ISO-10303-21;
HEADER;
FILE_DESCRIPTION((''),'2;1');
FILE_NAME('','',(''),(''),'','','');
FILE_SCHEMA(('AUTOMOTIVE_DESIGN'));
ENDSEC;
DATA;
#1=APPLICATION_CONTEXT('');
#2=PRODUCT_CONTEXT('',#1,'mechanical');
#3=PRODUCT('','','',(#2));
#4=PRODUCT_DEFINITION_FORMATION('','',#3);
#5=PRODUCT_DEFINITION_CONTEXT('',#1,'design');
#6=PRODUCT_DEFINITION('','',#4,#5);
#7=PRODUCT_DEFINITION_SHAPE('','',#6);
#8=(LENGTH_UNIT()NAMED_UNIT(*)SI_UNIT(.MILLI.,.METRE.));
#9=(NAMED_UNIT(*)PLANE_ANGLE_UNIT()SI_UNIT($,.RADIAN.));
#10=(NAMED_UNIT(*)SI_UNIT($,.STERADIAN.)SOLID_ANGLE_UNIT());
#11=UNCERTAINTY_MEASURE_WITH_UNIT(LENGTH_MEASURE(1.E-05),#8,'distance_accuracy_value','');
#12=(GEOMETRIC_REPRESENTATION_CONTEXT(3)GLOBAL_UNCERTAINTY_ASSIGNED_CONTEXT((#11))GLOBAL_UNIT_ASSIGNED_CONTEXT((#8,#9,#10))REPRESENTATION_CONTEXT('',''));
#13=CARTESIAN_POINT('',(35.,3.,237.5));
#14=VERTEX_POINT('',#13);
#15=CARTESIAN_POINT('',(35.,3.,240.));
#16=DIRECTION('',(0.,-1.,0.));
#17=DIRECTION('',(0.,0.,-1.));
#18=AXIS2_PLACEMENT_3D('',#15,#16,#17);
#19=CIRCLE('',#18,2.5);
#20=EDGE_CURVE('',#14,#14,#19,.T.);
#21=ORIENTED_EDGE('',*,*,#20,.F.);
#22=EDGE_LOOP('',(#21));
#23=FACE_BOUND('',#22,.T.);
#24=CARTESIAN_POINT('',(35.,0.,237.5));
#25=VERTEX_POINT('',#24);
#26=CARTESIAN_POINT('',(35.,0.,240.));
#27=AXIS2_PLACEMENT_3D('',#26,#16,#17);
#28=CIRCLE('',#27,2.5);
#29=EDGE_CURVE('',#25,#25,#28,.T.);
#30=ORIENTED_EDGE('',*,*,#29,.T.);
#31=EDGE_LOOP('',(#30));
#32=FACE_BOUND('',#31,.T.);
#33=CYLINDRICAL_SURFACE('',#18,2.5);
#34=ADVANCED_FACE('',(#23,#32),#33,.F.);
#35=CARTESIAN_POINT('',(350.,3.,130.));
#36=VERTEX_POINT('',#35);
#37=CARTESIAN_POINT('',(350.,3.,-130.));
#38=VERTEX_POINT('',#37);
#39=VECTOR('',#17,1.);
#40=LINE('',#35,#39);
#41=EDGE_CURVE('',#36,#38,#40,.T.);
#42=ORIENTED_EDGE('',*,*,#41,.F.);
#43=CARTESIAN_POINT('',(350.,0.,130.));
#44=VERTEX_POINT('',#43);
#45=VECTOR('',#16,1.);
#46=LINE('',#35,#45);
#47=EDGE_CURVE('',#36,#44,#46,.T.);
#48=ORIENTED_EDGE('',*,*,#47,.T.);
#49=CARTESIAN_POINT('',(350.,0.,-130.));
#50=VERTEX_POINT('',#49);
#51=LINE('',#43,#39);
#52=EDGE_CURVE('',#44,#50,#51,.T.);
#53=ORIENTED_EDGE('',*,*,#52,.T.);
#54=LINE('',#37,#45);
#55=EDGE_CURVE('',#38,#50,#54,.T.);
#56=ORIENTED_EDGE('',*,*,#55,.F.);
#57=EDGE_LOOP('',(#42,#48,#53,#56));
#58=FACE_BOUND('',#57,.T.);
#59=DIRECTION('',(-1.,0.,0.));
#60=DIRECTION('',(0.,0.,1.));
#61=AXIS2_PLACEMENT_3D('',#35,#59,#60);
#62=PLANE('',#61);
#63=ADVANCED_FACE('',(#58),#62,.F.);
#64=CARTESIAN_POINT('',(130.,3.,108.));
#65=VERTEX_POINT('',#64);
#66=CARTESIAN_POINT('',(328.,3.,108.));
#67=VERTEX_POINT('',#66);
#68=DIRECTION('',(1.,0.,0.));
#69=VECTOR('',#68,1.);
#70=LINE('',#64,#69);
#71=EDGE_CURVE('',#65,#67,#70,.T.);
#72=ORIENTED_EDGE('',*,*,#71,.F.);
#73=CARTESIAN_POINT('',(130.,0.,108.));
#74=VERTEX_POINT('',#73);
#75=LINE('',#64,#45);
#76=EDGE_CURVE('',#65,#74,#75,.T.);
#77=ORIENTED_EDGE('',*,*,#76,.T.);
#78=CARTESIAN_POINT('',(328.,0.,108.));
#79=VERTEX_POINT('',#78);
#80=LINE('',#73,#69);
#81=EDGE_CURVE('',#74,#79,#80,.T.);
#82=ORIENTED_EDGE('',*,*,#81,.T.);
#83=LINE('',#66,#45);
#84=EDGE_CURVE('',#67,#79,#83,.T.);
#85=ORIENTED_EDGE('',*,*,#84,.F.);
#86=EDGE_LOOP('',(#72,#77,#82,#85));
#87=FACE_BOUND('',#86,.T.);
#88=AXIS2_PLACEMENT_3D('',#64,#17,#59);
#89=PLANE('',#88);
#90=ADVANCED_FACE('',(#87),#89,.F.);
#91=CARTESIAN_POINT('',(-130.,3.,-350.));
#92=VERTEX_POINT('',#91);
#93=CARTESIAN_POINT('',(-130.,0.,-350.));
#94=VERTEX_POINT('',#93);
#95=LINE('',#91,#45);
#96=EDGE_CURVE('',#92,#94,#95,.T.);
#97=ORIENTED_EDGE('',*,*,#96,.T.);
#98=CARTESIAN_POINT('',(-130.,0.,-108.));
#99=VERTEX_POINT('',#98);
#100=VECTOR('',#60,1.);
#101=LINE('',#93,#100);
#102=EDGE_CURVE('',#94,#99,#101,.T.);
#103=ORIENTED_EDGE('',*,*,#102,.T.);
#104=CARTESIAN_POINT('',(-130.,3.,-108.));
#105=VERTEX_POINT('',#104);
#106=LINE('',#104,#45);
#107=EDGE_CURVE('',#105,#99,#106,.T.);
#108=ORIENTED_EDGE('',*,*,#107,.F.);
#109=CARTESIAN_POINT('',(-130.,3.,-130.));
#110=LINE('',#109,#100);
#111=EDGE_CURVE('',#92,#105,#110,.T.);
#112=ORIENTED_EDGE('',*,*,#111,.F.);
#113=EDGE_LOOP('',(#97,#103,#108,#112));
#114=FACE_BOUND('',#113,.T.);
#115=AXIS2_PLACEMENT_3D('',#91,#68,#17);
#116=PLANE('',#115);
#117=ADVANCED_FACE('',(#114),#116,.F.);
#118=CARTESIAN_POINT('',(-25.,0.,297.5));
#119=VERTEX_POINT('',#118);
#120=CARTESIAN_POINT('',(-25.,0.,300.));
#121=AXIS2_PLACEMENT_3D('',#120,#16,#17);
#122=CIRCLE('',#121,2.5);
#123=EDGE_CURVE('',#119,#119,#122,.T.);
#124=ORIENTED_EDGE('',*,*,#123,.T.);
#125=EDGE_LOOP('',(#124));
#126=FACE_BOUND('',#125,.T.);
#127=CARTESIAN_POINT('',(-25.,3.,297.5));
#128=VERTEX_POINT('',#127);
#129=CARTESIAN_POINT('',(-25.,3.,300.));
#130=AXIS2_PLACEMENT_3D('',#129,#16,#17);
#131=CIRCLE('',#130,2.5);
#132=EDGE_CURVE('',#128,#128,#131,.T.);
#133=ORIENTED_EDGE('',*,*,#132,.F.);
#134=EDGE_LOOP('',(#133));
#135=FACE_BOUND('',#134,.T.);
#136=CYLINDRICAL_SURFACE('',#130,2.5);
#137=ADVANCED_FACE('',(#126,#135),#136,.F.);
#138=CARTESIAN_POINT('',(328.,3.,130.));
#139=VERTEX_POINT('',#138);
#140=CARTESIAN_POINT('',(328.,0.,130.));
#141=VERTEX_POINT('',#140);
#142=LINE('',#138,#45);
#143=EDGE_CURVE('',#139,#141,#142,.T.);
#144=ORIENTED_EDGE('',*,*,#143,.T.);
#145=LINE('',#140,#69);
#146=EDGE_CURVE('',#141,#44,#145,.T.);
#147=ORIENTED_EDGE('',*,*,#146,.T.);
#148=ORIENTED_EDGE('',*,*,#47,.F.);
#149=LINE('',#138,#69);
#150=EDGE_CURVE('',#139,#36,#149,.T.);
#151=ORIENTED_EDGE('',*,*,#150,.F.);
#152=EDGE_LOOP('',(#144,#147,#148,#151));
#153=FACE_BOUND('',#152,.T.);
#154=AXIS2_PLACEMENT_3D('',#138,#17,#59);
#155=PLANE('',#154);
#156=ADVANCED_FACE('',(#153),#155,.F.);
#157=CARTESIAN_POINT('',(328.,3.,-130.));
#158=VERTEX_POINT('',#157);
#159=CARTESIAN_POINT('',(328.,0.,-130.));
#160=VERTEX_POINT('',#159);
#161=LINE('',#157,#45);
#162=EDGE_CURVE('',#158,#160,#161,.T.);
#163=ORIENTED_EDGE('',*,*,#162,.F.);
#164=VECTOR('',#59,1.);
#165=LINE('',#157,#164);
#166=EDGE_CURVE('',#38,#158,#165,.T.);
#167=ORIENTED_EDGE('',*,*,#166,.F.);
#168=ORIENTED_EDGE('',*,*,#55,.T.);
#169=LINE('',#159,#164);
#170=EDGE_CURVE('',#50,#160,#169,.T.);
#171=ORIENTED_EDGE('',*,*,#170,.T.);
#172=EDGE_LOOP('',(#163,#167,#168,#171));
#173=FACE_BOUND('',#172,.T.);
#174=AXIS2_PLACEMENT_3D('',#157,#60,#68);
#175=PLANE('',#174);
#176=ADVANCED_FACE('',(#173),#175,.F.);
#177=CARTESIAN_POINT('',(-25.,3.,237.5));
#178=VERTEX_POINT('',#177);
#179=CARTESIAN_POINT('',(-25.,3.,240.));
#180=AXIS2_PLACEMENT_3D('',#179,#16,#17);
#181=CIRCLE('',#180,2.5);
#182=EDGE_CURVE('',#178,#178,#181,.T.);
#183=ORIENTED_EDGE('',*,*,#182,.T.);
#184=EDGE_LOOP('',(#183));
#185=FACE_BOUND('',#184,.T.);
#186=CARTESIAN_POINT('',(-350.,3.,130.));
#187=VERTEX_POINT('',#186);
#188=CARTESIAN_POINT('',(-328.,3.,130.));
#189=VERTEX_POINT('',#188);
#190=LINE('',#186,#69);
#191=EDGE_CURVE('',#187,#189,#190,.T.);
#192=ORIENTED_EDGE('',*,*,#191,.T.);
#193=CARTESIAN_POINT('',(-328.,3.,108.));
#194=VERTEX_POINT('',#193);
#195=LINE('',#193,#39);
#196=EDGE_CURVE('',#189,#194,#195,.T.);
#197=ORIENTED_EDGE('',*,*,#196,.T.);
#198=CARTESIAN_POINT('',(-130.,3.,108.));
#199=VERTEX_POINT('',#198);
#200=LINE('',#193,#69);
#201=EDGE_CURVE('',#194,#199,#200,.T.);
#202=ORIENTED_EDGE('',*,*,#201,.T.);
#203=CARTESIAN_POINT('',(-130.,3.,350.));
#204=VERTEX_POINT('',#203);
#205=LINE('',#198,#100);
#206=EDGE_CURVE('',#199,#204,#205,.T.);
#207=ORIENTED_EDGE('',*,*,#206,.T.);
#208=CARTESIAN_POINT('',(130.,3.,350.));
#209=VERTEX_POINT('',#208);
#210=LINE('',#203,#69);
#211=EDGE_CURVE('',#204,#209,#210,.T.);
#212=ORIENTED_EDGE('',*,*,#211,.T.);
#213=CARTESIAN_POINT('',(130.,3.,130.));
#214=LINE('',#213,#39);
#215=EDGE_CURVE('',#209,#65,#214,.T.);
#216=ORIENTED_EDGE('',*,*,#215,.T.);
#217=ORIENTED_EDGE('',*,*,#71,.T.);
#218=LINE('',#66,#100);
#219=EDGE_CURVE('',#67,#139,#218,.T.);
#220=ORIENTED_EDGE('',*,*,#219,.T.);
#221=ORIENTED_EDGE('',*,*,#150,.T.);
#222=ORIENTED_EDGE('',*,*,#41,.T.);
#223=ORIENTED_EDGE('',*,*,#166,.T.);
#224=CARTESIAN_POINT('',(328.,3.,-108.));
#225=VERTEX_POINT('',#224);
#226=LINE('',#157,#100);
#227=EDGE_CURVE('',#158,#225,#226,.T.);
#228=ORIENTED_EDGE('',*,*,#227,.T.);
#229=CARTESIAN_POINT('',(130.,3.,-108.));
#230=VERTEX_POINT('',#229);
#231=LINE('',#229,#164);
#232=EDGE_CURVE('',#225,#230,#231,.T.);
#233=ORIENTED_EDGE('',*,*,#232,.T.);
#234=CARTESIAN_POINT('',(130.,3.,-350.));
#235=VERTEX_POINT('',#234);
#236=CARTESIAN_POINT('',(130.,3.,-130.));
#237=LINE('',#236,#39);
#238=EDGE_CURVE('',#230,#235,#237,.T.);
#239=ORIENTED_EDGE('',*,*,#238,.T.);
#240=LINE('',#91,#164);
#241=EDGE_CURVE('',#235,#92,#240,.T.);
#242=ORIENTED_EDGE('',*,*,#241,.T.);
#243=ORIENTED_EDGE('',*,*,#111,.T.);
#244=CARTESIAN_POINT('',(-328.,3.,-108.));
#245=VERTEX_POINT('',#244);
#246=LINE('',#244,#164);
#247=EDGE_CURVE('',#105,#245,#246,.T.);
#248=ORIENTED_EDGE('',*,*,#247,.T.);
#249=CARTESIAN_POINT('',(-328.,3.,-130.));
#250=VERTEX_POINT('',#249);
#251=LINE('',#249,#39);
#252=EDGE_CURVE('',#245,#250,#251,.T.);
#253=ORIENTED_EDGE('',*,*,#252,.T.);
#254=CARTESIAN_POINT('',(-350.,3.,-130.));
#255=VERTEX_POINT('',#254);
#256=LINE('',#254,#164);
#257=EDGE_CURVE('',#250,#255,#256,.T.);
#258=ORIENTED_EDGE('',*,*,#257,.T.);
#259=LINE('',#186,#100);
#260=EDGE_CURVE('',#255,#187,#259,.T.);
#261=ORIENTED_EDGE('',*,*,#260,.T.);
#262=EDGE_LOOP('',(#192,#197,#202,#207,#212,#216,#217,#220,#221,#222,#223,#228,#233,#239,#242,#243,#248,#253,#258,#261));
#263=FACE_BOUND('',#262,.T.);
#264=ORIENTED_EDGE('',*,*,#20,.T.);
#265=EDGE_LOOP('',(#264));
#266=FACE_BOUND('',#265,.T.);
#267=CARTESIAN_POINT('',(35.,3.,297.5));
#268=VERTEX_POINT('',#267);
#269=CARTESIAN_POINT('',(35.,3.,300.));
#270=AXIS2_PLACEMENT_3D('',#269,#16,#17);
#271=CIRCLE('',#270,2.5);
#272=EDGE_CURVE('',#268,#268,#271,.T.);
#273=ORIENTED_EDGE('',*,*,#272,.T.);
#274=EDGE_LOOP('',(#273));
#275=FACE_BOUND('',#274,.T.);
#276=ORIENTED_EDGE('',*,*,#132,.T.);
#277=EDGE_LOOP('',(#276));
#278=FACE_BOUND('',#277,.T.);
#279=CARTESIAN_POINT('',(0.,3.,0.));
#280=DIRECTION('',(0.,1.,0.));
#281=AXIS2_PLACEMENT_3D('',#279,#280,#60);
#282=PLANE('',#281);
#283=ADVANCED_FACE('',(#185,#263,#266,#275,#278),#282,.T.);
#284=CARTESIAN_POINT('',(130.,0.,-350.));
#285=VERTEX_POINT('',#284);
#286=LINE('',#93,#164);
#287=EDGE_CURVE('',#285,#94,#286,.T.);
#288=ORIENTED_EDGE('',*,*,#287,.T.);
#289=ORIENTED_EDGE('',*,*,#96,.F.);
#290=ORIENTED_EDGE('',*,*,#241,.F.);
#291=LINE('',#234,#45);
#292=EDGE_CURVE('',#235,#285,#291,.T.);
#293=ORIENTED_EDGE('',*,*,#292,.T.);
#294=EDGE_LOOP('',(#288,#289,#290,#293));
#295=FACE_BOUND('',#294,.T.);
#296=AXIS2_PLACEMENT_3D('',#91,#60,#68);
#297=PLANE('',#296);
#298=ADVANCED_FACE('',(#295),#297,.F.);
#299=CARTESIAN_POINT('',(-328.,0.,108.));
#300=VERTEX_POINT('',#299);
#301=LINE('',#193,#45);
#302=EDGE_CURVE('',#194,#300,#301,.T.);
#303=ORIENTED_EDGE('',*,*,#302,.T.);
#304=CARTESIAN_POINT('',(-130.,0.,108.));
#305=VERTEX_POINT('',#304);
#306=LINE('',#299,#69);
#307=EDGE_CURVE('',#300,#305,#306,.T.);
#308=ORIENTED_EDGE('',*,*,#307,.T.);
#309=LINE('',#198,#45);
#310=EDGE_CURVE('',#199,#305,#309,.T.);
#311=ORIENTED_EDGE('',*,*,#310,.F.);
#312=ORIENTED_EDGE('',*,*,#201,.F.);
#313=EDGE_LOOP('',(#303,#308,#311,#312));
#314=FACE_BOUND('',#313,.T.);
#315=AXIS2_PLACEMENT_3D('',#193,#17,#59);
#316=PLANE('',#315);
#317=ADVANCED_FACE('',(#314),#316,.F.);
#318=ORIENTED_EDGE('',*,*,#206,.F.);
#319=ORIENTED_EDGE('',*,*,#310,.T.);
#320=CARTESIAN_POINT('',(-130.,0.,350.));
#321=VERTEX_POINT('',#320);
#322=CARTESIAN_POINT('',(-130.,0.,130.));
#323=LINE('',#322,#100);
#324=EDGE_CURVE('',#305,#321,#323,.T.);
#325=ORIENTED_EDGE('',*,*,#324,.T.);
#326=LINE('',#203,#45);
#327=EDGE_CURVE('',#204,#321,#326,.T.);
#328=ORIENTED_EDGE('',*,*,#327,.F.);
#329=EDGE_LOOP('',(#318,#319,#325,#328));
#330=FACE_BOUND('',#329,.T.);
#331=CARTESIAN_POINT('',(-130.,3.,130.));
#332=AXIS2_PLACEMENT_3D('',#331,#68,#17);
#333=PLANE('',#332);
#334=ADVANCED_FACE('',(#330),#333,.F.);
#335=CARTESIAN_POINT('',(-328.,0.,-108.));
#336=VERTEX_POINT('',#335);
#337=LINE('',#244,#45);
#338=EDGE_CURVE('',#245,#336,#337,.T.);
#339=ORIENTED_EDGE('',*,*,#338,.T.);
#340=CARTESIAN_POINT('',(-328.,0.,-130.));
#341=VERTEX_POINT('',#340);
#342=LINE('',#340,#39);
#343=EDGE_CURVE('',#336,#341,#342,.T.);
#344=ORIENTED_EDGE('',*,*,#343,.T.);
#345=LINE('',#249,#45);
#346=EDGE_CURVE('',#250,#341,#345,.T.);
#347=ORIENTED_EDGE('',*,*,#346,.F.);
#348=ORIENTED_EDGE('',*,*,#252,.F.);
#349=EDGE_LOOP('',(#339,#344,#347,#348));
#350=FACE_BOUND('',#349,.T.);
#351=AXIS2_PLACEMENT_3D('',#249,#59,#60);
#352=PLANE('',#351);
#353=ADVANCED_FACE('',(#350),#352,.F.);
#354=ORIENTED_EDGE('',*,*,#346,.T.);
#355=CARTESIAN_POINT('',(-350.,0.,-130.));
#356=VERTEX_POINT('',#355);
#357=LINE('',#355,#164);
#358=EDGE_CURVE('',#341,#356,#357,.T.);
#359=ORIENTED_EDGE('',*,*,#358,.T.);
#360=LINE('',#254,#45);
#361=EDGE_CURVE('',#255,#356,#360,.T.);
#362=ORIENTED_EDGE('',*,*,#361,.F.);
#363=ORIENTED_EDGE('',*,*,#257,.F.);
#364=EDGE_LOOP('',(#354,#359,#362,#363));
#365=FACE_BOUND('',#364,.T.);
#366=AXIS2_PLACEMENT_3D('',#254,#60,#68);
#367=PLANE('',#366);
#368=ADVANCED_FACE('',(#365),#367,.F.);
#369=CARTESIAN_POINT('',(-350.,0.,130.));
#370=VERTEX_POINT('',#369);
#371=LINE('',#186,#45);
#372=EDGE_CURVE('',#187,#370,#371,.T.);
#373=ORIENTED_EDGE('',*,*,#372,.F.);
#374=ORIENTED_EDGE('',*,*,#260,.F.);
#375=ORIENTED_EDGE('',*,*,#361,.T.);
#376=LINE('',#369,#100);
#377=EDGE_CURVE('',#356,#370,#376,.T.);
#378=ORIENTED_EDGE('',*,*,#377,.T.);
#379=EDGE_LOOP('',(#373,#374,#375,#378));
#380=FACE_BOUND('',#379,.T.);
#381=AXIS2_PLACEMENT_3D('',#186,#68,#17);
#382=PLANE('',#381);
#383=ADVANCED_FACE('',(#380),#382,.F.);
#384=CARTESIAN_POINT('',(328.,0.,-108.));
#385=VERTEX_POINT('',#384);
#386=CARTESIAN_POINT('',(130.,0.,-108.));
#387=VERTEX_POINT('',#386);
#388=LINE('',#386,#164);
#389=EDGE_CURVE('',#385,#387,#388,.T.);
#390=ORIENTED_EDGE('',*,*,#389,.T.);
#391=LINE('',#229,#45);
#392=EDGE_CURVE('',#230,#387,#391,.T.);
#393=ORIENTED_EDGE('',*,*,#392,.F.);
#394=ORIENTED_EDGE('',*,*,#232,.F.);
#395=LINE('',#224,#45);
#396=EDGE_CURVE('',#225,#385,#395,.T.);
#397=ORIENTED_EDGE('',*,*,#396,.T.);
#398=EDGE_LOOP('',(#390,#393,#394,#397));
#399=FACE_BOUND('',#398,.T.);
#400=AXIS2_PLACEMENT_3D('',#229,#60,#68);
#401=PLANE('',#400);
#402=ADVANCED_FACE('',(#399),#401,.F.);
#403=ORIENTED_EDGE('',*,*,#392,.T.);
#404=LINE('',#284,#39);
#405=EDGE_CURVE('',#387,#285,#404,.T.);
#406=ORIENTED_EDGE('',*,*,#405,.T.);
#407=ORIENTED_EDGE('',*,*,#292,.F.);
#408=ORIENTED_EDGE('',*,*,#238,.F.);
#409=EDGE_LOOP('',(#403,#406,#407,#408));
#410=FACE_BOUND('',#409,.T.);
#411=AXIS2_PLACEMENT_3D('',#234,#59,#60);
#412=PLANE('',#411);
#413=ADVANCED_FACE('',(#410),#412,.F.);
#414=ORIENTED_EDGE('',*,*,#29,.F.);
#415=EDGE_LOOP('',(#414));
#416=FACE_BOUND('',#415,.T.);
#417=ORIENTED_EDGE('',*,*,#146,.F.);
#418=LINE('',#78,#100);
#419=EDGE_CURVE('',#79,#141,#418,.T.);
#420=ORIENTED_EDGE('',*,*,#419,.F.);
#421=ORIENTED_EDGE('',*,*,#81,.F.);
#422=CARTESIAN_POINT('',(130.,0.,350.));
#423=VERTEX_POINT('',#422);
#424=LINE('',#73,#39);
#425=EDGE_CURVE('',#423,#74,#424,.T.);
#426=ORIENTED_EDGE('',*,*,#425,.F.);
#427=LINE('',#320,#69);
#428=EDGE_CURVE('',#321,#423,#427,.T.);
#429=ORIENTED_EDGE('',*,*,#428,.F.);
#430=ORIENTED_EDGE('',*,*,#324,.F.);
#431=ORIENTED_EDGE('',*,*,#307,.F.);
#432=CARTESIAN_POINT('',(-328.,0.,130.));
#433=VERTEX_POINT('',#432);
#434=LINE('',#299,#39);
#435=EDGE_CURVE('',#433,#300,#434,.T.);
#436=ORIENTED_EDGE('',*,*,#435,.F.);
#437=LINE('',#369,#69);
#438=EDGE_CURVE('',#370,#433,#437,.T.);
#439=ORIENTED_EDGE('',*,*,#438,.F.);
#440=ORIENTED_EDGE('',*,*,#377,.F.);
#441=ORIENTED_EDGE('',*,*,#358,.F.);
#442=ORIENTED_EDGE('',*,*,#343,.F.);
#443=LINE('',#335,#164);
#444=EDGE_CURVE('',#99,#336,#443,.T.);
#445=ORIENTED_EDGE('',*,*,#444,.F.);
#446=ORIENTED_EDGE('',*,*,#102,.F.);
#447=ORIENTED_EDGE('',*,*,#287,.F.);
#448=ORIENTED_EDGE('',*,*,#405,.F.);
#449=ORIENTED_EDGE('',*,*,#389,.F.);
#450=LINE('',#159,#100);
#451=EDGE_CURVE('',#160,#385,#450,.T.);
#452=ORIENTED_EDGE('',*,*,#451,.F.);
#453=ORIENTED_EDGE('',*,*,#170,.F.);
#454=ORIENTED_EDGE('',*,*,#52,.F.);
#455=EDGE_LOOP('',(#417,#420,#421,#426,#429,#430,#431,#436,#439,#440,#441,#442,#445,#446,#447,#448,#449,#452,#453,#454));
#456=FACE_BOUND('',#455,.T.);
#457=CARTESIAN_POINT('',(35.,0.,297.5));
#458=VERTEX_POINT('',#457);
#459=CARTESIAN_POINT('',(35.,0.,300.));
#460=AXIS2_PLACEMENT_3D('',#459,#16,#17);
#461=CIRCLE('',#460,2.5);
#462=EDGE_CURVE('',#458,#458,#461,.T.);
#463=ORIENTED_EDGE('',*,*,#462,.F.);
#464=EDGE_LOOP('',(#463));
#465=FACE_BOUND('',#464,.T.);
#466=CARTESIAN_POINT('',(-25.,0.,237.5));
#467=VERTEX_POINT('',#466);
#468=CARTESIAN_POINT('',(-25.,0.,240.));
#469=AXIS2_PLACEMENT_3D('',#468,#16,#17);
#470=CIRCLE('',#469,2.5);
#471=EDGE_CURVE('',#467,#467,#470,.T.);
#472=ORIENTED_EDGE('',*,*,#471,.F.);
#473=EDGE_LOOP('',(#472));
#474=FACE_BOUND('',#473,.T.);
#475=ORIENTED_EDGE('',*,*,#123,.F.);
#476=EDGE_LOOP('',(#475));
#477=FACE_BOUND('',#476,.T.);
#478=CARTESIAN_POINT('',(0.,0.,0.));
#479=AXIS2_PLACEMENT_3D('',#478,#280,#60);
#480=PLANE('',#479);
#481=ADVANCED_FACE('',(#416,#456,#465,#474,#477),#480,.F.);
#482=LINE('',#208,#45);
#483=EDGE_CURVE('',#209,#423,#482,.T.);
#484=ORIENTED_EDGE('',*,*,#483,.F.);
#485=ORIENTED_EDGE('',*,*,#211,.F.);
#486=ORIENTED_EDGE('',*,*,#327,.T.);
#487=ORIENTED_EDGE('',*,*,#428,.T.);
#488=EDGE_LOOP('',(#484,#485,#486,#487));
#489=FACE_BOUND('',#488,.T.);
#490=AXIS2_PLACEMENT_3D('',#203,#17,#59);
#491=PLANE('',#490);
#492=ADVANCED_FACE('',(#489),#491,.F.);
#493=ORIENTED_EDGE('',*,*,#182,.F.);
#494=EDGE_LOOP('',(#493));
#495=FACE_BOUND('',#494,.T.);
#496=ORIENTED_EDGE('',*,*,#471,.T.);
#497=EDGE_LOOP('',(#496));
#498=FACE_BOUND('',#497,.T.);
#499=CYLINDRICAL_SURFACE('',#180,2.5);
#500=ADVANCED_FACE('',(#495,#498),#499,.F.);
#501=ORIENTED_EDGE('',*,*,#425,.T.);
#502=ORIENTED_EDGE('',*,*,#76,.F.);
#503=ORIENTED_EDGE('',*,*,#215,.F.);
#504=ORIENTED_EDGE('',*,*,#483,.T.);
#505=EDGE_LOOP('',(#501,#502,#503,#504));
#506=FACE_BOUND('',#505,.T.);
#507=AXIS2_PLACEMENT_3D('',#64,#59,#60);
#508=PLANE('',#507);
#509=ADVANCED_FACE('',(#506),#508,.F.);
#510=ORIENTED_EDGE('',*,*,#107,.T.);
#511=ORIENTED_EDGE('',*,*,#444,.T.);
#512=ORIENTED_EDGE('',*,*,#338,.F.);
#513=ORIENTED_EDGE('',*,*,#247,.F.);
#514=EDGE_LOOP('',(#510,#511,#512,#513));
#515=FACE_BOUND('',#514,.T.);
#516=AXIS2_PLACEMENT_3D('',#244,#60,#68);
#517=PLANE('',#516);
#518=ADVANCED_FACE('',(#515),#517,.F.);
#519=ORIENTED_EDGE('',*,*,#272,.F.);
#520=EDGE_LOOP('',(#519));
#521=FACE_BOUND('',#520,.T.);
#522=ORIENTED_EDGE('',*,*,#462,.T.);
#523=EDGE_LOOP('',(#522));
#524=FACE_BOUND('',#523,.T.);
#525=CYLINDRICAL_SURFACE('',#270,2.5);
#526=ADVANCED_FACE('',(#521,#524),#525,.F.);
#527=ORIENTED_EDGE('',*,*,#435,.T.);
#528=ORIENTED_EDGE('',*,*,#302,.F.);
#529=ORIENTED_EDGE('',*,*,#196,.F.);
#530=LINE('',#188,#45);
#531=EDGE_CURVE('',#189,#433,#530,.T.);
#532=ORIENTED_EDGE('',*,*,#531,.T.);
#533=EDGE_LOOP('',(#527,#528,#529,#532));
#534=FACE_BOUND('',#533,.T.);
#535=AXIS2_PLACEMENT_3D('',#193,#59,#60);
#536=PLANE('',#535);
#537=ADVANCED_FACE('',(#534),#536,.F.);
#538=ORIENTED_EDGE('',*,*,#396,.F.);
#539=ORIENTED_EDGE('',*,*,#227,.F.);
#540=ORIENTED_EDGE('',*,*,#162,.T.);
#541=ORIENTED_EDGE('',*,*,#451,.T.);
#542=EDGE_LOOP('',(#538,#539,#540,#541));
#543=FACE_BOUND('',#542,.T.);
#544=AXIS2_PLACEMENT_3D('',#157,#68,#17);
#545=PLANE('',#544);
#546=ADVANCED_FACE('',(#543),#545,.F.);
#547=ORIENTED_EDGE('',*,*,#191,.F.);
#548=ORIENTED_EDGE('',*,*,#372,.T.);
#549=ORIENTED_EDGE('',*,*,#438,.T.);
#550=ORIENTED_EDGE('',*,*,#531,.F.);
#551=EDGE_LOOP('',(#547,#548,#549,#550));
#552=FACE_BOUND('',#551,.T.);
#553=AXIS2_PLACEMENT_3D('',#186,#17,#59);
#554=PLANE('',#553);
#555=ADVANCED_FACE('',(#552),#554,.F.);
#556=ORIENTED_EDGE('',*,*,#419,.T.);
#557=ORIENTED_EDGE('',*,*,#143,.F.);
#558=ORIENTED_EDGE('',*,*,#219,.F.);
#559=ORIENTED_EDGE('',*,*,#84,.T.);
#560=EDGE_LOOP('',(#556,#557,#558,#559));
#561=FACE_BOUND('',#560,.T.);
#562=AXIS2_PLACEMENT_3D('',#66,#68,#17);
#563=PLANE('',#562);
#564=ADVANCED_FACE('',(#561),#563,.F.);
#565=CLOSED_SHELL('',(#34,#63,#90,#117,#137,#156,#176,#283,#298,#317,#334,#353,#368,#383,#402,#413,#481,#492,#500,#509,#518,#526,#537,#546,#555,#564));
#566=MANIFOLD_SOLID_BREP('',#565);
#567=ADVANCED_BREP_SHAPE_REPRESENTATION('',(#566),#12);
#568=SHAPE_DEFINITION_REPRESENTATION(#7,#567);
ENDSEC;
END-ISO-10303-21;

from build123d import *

# Parameters (mm, degrees)
BASE_DEPTH         = 3
SKETCH2_R          = 2.5
CUT_EXTRUDE2_DEPTH = 495.98383812


with BuildPart() as part:
    # Sketch1 → Base (new body)
    with BuildSketch(Plane(origin=(0, 0, 0), x_dir=(1, 0, 0), z_dir=(0, 1, 0))):
        Polygon((-350, -130), (-328, -130), (-328, -108), (-130, -108), (-130, -130), (-130, -350), (130, -350), (130, -130), (130, -108), (328, -108), (328, -130), (350, -130), (350, 130), (328, 130), (328, 108), (130, 108), (130, 130), (130, 350), (-130, 350), (-130, 130), (-130, 108), (-328, 108), (-328, 130), (-350, 130), align=None)
    extrude(amount=BASE_DEPTH)

    # Sketch2 → Cut-Extrude2 (cut, through all)
    with BuildSketch(Plane.XZ):
        with Locations(Location((-25, 300, 0), (0, 0, 270))):
            Circle(SKETCH2_R)
        with Locations(Location((35, 300, 0), (0, 0, 270))):
            Circle(SKETCH2_R)
        with Locations(Location((-25, 240, 0), (0, 0, 270))):
            Circle(SKETCH2_R)
        with Locations(Location((35, 240, 0), (0, 0, 270))):
            Circle(SKETCH2_R)
    extrude(amount=-CUT_EXTRUDE2_DEPTH, mode=Mode.SUBTRACT)


solid = part.part
